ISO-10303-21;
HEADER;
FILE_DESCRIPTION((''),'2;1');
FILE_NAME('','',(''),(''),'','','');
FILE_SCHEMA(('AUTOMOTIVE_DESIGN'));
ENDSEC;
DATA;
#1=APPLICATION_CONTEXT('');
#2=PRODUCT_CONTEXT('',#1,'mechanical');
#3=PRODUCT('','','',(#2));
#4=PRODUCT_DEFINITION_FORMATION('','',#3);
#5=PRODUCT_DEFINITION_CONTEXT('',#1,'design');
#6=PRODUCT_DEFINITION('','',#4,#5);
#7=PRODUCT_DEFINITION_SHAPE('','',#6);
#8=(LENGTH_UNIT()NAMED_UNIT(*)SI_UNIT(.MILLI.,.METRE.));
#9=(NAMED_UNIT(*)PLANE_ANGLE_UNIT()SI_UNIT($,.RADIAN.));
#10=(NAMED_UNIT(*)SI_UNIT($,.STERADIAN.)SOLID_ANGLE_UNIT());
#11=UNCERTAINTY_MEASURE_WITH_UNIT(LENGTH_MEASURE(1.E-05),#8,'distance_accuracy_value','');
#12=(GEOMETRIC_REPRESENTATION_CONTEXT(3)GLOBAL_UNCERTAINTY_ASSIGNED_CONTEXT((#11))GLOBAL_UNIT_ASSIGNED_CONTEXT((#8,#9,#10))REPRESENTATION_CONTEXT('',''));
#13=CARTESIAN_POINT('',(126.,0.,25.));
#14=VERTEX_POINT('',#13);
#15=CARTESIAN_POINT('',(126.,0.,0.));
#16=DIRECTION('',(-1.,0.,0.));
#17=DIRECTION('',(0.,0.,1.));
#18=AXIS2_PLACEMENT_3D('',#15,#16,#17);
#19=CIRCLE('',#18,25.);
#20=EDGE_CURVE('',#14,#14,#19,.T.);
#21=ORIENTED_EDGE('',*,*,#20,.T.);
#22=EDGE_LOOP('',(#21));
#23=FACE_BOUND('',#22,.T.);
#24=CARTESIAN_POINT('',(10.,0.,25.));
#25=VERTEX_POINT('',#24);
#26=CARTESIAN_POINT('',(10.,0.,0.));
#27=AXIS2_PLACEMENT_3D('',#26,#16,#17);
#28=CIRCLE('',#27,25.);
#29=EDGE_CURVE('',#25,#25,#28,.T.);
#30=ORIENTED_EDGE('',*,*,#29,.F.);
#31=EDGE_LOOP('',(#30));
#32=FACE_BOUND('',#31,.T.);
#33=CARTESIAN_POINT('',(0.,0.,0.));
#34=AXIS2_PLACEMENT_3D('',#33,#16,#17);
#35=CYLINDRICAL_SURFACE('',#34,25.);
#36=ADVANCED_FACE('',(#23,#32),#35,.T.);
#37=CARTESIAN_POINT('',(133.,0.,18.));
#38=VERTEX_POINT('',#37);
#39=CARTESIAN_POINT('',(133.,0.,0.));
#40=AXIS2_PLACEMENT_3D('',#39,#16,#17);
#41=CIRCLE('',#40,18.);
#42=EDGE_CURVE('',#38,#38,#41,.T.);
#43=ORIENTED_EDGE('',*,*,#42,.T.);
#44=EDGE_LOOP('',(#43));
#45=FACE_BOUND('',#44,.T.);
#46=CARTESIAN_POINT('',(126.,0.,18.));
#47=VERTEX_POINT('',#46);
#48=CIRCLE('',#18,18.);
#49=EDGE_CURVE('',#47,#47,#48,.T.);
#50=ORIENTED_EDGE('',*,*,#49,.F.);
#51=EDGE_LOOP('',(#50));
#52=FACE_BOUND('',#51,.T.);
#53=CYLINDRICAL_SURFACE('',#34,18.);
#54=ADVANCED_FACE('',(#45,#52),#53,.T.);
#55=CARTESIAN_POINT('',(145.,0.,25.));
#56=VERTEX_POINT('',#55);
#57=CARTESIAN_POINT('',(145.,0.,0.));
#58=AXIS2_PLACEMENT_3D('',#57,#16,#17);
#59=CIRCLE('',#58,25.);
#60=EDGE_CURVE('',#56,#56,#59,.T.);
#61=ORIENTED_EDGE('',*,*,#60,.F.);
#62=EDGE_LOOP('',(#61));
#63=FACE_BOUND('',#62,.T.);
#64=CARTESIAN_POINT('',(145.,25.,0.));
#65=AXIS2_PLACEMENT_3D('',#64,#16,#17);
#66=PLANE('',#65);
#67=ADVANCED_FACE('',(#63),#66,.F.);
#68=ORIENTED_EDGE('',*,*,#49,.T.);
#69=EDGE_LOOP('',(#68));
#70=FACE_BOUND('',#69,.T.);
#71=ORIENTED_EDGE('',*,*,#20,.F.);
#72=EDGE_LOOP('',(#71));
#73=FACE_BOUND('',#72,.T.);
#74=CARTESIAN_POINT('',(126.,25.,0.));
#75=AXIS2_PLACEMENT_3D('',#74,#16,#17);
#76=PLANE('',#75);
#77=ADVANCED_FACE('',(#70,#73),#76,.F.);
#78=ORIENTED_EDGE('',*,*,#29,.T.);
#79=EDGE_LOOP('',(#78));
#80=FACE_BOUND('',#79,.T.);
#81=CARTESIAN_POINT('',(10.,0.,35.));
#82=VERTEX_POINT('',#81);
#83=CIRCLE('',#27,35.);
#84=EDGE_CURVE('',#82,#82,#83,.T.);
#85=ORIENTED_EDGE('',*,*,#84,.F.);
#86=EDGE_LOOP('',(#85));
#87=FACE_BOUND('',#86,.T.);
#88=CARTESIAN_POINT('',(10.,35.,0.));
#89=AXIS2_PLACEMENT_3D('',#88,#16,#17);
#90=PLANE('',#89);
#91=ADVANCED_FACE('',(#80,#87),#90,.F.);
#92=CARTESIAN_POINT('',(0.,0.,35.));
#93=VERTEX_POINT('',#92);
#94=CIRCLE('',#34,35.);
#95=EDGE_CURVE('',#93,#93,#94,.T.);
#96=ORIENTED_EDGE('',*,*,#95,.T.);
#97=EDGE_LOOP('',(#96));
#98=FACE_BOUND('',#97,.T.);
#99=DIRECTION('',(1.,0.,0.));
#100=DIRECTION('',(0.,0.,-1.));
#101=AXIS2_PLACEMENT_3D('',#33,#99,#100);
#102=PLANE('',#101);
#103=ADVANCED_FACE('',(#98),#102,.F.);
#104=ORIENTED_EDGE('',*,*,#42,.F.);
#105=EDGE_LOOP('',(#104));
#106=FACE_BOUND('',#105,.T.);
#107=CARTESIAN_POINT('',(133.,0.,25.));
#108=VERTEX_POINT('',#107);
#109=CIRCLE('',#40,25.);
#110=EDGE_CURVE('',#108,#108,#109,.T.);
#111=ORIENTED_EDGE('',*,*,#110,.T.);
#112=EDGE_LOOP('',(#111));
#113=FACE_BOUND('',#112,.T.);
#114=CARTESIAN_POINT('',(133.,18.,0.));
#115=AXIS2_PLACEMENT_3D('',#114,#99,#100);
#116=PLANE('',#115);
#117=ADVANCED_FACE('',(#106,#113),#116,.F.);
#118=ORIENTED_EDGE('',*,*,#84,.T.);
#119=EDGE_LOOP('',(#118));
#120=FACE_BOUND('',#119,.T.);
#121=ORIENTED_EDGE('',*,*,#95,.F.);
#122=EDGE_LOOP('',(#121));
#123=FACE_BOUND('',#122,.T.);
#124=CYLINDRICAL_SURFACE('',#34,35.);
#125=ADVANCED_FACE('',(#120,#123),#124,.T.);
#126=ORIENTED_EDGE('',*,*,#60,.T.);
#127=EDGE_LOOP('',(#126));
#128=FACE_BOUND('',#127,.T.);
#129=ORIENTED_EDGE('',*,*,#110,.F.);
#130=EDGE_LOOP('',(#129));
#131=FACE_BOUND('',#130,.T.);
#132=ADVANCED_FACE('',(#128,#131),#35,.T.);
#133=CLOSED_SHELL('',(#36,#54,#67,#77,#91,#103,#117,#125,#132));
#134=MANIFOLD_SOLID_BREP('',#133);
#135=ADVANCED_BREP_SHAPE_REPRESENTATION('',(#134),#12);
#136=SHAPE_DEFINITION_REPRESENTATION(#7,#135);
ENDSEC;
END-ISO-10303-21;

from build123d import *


with BuildPart() as part:
    # 草图1 → 旋转1 (revolve)
    with BuildSketch(Plane.XY, mode=Mode.PRIVATE) as revolve_1_sk:
        Polygon((0, 0), (145, 0), (145, 25), (133, 25), (133, 18), (126, 18), (126, 25), (10, 25), (10, 35), (0, 35), align=None)
    revolve(revolve_1_sk.sketch.rotate(Axis((0, 0, 0), (1, 0, 0)), 90), axis=Axis((0, 0, 0), (1, 0, 0)))


solid = part.part
